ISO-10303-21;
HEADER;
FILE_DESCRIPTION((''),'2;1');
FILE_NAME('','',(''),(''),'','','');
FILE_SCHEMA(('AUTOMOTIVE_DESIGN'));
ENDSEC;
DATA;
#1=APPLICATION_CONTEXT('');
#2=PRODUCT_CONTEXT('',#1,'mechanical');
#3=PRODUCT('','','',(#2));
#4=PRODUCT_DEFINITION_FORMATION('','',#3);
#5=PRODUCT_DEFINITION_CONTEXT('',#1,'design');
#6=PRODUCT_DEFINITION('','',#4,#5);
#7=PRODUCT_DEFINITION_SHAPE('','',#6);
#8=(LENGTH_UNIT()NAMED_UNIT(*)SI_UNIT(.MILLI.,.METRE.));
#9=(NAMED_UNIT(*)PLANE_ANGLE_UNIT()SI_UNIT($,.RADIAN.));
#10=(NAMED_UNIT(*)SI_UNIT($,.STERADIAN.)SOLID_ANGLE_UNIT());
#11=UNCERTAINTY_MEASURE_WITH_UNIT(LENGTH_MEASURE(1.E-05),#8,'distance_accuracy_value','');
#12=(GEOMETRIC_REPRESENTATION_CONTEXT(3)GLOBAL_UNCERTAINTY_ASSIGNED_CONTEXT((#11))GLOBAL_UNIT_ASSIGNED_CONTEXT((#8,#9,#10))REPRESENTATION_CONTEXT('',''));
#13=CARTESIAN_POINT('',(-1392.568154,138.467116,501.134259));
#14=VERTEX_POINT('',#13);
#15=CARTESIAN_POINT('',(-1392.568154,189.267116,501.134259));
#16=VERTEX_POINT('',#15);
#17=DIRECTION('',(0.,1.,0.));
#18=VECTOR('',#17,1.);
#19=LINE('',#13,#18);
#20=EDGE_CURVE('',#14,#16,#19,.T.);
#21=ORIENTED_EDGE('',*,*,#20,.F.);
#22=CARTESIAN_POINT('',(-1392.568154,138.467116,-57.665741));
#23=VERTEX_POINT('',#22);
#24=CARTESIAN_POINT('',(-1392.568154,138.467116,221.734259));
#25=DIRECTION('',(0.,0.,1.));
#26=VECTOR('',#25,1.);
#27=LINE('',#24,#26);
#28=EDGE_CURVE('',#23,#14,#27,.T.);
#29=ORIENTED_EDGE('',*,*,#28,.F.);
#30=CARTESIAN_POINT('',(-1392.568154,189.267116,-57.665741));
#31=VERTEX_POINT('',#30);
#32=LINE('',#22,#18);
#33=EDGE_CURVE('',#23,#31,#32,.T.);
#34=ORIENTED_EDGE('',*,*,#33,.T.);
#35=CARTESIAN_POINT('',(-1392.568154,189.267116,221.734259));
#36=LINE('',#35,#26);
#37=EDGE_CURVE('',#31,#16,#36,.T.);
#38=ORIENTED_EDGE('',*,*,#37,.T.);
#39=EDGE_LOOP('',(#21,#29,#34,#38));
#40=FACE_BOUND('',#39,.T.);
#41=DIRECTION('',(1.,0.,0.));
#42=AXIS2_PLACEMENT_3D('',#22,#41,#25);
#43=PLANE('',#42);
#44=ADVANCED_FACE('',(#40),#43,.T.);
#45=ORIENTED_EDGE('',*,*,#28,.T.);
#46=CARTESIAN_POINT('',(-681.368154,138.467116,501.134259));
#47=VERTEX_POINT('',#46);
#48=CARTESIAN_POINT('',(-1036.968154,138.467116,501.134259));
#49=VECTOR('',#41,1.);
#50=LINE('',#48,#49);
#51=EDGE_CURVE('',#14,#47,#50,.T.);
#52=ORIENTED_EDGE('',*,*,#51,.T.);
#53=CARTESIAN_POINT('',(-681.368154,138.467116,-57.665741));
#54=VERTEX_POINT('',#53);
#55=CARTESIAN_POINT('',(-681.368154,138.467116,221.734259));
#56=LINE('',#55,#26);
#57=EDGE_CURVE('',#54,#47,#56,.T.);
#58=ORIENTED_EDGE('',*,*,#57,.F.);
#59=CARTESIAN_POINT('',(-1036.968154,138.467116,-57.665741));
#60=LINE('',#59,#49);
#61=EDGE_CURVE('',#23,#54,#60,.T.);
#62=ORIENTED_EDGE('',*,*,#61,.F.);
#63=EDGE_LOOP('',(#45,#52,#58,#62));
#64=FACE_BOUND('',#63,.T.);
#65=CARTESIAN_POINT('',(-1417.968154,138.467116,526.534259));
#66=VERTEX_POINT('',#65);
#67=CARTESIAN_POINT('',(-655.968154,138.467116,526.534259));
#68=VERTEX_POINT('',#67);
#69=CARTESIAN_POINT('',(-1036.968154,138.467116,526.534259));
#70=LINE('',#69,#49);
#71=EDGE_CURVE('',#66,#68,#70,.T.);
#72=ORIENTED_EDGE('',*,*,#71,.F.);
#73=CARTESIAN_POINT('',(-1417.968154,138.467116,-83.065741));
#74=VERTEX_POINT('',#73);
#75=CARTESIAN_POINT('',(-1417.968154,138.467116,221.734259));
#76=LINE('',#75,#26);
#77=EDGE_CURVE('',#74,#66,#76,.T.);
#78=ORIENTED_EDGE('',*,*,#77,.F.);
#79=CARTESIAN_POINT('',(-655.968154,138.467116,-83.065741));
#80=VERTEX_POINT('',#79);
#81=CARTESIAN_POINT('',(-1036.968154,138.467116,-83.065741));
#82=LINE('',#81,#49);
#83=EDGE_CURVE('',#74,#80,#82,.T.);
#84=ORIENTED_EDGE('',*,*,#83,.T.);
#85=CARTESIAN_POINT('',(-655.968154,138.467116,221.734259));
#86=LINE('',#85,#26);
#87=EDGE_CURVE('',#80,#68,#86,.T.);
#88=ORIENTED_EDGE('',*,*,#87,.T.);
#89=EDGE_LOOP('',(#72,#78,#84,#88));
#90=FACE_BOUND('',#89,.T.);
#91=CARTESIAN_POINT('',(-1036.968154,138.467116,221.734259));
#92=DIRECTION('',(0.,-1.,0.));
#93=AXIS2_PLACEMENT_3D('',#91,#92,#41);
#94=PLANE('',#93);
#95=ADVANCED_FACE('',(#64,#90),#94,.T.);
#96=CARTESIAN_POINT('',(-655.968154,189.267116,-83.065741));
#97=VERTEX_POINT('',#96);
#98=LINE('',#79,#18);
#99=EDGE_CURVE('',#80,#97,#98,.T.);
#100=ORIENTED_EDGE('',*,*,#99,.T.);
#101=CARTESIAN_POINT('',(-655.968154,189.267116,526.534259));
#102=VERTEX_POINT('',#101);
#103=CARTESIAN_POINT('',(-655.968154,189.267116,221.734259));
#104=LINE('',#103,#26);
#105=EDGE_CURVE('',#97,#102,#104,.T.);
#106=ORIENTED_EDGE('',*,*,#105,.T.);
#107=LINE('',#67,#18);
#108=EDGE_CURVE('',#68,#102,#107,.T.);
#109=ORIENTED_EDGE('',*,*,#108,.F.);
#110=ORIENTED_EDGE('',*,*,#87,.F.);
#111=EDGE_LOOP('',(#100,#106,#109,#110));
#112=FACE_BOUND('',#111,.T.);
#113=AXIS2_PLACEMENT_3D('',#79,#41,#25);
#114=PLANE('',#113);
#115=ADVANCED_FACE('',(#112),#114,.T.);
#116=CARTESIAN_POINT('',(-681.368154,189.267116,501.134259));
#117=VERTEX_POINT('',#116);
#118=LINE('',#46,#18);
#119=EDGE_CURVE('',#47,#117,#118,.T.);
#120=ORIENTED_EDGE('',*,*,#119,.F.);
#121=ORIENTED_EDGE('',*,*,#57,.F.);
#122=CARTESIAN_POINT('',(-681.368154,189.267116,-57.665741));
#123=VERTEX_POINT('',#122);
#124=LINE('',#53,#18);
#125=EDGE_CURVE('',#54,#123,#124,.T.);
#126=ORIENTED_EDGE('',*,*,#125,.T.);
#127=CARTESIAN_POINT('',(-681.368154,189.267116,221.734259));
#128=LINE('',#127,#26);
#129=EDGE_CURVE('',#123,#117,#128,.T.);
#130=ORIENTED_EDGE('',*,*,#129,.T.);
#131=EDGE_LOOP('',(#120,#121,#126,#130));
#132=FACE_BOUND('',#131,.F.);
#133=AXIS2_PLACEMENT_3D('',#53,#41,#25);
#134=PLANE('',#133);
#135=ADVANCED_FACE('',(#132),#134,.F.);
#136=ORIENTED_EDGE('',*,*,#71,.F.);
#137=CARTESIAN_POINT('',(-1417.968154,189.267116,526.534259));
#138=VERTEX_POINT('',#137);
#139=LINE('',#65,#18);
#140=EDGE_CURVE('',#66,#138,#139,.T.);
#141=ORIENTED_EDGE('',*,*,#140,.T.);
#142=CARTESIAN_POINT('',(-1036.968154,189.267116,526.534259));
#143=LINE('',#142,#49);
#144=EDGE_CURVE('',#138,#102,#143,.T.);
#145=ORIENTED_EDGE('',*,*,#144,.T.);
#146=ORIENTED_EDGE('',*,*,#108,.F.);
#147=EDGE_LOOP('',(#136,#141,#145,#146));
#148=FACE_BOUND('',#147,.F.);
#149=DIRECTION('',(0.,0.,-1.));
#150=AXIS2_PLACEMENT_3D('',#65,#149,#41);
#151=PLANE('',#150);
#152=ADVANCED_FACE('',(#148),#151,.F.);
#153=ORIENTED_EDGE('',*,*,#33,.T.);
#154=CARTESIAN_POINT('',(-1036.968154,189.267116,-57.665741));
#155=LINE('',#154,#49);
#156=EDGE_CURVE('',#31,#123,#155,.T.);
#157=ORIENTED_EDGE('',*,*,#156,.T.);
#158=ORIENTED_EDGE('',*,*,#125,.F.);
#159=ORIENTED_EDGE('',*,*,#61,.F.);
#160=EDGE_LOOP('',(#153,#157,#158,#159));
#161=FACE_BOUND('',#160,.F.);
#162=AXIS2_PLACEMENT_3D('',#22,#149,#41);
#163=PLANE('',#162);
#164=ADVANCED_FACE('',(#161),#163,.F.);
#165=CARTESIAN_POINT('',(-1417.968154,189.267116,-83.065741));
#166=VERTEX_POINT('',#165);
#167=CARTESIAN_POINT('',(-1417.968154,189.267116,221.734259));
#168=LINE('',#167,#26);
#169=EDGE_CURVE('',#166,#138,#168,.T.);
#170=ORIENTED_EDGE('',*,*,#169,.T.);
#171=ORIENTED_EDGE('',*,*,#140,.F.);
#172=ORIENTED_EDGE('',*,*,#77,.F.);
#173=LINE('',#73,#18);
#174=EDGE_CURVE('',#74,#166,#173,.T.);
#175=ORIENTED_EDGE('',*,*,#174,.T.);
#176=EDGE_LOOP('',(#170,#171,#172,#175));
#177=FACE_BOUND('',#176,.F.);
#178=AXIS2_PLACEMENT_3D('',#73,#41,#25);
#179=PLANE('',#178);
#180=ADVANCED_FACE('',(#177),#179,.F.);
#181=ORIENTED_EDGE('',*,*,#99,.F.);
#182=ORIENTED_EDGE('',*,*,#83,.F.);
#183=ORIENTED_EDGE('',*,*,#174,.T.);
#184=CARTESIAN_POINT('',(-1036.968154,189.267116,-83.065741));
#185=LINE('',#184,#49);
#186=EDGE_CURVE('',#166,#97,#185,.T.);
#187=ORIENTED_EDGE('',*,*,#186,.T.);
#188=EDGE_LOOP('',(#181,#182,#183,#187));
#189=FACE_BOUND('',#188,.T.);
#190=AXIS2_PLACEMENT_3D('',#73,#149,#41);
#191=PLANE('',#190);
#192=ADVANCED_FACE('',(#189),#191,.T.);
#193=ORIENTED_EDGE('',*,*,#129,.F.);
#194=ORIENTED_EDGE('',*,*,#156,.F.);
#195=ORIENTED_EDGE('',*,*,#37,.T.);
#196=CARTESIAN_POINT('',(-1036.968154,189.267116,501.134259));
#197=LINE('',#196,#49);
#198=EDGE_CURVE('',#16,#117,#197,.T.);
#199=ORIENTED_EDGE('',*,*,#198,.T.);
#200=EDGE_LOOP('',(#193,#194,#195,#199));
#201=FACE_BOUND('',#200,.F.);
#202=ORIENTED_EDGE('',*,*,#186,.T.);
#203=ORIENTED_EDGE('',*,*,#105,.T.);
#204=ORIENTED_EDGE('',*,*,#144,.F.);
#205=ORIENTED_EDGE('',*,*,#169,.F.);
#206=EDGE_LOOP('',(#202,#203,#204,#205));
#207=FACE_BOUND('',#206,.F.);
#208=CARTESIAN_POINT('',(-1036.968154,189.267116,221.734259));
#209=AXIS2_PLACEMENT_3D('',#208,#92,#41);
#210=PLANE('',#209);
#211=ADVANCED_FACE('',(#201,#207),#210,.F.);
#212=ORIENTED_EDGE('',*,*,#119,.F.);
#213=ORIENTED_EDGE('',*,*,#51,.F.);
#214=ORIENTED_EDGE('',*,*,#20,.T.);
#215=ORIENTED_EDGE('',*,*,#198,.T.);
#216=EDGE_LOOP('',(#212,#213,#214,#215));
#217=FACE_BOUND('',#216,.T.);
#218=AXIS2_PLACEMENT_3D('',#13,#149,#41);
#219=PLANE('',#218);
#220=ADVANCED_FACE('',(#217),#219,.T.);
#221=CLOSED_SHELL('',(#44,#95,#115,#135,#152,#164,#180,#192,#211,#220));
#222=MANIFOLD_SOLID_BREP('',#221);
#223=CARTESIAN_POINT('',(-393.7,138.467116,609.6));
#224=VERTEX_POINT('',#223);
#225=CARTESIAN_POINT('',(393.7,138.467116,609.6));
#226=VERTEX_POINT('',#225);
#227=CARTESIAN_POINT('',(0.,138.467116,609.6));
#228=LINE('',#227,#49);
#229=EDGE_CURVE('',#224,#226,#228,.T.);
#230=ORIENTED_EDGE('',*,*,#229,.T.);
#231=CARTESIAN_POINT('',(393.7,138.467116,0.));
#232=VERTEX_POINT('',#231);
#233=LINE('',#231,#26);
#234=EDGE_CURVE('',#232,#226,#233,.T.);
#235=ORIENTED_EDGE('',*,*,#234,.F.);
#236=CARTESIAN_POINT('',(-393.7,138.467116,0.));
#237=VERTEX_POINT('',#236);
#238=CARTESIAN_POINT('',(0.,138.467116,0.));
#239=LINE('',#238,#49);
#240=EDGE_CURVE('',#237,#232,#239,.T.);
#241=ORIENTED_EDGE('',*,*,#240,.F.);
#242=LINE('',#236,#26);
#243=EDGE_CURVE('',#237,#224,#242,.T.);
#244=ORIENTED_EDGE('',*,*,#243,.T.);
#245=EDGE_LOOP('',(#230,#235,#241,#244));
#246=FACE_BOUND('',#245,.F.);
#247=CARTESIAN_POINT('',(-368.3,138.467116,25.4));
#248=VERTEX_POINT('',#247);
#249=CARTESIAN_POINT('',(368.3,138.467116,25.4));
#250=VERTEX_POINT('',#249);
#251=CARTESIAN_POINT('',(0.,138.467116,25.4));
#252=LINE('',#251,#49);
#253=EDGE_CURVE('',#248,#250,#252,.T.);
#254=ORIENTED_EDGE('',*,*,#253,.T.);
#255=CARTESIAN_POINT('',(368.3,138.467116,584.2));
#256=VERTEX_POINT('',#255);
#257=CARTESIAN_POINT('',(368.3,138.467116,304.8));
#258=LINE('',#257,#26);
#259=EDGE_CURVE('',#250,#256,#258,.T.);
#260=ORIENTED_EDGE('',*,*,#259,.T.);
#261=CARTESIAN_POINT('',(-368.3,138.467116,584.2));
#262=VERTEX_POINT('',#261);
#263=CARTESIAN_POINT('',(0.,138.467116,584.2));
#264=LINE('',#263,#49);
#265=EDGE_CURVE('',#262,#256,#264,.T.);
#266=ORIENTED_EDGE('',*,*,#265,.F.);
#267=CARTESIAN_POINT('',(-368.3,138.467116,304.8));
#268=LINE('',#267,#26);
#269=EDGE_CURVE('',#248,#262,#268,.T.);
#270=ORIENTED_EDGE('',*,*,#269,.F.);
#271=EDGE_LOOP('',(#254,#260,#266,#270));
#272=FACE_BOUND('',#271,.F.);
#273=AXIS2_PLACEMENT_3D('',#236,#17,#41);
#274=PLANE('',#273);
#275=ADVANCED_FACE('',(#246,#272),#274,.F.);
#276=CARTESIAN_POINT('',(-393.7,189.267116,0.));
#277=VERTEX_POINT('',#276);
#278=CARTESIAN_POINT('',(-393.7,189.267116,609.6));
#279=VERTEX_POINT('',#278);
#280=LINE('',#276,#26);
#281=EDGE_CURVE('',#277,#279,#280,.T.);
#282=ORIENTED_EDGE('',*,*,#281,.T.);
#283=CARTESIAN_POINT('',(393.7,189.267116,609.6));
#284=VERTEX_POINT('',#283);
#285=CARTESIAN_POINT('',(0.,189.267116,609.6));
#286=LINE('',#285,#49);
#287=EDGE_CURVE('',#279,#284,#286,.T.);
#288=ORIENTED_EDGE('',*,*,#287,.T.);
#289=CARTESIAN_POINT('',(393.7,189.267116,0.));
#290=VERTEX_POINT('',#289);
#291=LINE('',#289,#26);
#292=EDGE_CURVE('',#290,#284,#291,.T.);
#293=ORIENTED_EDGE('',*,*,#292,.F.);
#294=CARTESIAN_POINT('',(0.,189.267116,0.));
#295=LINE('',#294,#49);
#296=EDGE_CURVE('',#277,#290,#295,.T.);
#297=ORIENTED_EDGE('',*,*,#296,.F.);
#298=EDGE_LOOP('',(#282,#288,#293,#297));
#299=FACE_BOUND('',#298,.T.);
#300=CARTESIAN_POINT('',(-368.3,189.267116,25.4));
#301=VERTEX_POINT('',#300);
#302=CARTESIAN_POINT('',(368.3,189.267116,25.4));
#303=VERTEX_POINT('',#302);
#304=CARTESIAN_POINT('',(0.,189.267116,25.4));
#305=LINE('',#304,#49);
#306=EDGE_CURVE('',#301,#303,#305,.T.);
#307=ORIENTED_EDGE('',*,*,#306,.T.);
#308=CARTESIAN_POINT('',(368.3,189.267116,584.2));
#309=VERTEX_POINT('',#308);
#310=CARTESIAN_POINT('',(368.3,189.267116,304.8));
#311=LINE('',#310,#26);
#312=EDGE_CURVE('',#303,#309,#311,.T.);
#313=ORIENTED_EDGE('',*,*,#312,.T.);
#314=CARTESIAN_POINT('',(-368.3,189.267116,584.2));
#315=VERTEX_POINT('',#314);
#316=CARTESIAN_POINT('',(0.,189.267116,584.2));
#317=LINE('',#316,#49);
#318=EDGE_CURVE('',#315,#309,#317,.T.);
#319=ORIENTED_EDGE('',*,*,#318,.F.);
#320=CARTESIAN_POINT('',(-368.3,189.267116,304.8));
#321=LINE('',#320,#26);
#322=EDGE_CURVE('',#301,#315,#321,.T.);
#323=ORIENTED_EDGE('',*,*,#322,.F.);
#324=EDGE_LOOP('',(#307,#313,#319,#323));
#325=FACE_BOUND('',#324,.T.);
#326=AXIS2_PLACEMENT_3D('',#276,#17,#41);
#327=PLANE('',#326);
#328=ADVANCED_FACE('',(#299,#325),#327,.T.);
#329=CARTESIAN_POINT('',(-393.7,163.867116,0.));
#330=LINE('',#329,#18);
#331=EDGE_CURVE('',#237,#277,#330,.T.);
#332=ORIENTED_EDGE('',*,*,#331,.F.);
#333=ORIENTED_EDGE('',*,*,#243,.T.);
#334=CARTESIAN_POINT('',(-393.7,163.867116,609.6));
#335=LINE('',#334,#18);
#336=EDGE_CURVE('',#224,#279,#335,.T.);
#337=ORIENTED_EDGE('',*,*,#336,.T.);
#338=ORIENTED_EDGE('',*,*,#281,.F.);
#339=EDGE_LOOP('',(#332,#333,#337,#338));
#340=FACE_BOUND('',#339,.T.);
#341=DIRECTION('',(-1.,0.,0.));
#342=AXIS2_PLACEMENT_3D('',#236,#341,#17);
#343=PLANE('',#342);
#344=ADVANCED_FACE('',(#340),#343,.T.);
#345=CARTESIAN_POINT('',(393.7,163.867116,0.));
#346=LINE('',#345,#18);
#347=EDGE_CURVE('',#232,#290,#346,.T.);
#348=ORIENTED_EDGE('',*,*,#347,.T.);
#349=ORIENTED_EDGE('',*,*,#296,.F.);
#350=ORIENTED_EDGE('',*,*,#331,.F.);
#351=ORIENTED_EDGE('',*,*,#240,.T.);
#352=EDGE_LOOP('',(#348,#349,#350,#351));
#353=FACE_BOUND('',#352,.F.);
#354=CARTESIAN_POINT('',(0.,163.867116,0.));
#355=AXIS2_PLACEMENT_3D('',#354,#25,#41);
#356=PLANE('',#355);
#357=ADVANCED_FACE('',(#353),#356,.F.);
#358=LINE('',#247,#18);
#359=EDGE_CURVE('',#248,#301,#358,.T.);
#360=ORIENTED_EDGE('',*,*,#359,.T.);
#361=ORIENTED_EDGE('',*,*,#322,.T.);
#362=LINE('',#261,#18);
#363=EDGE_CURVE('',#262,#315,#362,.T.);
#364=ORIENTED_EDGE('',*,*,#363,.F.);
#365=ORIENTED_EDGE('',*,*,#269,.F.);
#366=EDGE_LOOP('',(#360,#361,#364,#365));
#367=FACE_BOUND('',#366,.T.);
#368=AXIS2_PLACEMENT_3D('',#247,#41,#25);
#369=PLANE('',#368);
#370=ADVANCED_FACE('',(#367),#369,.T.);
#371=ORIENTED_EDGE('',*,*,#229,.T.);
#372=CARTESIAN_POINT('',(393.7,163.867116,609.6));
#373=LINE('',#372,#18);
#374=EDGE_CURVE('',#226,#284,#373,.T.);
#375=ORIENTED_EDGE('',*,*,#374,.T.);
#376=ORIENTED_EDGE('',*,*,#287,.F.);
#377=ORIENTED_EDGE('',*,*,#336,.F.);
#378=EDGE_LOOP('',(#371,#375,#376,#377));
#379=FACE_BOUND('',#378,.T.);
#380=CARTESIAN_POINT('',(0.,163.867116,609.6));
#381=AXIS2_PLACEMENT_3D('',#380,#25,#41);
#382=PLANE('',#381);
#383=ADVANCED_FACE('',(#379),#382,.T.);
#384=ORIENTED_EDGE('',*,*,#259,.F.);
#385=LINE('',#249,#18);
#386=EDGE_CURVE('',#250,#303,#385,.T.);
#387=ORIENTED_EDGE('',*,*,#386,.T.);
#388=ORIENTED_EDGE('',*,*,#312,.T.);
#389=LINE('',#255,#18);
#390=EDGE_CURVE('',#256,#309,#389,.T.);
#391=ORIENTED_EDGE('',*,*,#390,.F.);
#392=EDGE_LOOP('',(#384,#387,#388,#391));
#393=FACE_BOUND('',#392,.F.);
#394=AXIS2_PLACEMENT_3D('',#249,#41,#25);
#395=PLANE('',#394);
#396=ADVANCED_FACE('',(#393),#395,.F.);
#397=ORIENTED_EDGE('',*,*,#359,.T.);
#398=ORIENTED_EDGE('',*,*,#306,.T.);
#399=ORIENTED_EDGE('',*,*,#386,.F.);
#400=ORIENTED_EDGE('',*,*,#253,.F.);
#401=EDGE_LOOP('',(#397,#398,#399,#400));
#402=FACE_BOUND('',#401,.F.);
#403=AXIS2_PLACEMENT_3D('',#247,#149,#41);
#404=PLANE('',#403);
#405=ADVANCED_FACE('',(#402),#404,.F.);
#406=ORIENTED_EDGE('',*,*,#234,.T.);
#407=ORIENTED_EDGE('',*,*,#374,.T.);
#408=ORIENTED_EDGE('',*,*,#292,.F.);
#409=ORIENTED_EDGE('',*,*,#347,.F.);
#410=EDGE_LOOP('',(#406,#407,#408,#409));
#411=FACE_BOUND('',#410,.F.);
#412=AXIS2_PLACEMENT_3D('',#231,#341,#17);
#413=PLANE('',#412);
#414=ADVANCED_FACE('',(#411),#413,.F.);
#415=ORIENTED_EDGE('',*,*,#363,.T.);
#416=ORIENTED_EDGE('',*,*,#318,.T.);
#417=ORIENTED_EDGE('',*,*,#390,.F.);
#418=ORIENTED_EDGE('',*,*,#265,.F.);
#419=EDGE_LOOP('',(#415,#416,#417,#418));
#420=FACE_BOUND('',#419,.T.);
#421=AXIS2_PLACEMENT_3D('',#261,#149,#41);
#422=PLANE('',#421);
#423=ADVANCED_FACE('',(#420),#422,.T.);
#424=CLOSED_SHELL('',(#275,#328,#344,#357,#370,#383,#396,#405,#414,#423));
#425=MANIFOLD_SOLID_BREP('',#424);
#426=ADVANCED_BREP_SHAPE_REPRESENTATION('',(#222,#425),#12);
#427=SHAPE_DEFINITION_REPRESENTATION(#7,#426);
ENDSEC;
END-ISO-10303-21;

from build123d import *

# Parameters (mm, degrees)
F0_W     = 787.4
F0_H     = 50.8
F1_DEPTH = 609.6
F2_W     = 736.6
F2_H     = 558.8
F3_DEPTH = 50.8
F4_W     = 762
F4_H     = 609.6
F5_DEPTH = 50.8
F6_W     = 711.2
F6_H     = 558.8
F7_DEPTH = 50.8


with BuildPart() as f1:
    # F0 (on Top) → F1 (new body)
    with BuildSketch(Plane.XY):
        with Locations((0, 163.867116)):
            Rectangle(F0_W, F0_H)
    extrude(amount=F1_DEPTH)

    # F2 (on face) → F3 (cut)
    with BuildSketch(Plane.XZ.offset(-138.467116)):
        with Locations((0, 304.8)):
            Rectangle(F2_W, F2_H)
    extrude(amount=-F3_DEPTH, mode=Mode.SUBTRACT)


with BuildPart() as f5:
    # F4 (on face) → F5 (new body)
    with BuildSketch(Plane.XZ.offset(-138.467116)):
        with Locations((-1036.968154, 221.734259)):
            Rectangle(F4_W, F4_H)
    extrude(amount=-F5_DEPTH)

    # F6 (on face) → F7 (cut)
    with BuildSketch(Plane.XZ.offset(-138.467116)):
        with Locations((-1036.968154, 221.734259)):
            Rectangle(F6_W, F6_H)
    extrude(amount=-F7_DEPTH, mode=Mode.SUBTRACT)


solid = Compound([f1.part, f5.part])
